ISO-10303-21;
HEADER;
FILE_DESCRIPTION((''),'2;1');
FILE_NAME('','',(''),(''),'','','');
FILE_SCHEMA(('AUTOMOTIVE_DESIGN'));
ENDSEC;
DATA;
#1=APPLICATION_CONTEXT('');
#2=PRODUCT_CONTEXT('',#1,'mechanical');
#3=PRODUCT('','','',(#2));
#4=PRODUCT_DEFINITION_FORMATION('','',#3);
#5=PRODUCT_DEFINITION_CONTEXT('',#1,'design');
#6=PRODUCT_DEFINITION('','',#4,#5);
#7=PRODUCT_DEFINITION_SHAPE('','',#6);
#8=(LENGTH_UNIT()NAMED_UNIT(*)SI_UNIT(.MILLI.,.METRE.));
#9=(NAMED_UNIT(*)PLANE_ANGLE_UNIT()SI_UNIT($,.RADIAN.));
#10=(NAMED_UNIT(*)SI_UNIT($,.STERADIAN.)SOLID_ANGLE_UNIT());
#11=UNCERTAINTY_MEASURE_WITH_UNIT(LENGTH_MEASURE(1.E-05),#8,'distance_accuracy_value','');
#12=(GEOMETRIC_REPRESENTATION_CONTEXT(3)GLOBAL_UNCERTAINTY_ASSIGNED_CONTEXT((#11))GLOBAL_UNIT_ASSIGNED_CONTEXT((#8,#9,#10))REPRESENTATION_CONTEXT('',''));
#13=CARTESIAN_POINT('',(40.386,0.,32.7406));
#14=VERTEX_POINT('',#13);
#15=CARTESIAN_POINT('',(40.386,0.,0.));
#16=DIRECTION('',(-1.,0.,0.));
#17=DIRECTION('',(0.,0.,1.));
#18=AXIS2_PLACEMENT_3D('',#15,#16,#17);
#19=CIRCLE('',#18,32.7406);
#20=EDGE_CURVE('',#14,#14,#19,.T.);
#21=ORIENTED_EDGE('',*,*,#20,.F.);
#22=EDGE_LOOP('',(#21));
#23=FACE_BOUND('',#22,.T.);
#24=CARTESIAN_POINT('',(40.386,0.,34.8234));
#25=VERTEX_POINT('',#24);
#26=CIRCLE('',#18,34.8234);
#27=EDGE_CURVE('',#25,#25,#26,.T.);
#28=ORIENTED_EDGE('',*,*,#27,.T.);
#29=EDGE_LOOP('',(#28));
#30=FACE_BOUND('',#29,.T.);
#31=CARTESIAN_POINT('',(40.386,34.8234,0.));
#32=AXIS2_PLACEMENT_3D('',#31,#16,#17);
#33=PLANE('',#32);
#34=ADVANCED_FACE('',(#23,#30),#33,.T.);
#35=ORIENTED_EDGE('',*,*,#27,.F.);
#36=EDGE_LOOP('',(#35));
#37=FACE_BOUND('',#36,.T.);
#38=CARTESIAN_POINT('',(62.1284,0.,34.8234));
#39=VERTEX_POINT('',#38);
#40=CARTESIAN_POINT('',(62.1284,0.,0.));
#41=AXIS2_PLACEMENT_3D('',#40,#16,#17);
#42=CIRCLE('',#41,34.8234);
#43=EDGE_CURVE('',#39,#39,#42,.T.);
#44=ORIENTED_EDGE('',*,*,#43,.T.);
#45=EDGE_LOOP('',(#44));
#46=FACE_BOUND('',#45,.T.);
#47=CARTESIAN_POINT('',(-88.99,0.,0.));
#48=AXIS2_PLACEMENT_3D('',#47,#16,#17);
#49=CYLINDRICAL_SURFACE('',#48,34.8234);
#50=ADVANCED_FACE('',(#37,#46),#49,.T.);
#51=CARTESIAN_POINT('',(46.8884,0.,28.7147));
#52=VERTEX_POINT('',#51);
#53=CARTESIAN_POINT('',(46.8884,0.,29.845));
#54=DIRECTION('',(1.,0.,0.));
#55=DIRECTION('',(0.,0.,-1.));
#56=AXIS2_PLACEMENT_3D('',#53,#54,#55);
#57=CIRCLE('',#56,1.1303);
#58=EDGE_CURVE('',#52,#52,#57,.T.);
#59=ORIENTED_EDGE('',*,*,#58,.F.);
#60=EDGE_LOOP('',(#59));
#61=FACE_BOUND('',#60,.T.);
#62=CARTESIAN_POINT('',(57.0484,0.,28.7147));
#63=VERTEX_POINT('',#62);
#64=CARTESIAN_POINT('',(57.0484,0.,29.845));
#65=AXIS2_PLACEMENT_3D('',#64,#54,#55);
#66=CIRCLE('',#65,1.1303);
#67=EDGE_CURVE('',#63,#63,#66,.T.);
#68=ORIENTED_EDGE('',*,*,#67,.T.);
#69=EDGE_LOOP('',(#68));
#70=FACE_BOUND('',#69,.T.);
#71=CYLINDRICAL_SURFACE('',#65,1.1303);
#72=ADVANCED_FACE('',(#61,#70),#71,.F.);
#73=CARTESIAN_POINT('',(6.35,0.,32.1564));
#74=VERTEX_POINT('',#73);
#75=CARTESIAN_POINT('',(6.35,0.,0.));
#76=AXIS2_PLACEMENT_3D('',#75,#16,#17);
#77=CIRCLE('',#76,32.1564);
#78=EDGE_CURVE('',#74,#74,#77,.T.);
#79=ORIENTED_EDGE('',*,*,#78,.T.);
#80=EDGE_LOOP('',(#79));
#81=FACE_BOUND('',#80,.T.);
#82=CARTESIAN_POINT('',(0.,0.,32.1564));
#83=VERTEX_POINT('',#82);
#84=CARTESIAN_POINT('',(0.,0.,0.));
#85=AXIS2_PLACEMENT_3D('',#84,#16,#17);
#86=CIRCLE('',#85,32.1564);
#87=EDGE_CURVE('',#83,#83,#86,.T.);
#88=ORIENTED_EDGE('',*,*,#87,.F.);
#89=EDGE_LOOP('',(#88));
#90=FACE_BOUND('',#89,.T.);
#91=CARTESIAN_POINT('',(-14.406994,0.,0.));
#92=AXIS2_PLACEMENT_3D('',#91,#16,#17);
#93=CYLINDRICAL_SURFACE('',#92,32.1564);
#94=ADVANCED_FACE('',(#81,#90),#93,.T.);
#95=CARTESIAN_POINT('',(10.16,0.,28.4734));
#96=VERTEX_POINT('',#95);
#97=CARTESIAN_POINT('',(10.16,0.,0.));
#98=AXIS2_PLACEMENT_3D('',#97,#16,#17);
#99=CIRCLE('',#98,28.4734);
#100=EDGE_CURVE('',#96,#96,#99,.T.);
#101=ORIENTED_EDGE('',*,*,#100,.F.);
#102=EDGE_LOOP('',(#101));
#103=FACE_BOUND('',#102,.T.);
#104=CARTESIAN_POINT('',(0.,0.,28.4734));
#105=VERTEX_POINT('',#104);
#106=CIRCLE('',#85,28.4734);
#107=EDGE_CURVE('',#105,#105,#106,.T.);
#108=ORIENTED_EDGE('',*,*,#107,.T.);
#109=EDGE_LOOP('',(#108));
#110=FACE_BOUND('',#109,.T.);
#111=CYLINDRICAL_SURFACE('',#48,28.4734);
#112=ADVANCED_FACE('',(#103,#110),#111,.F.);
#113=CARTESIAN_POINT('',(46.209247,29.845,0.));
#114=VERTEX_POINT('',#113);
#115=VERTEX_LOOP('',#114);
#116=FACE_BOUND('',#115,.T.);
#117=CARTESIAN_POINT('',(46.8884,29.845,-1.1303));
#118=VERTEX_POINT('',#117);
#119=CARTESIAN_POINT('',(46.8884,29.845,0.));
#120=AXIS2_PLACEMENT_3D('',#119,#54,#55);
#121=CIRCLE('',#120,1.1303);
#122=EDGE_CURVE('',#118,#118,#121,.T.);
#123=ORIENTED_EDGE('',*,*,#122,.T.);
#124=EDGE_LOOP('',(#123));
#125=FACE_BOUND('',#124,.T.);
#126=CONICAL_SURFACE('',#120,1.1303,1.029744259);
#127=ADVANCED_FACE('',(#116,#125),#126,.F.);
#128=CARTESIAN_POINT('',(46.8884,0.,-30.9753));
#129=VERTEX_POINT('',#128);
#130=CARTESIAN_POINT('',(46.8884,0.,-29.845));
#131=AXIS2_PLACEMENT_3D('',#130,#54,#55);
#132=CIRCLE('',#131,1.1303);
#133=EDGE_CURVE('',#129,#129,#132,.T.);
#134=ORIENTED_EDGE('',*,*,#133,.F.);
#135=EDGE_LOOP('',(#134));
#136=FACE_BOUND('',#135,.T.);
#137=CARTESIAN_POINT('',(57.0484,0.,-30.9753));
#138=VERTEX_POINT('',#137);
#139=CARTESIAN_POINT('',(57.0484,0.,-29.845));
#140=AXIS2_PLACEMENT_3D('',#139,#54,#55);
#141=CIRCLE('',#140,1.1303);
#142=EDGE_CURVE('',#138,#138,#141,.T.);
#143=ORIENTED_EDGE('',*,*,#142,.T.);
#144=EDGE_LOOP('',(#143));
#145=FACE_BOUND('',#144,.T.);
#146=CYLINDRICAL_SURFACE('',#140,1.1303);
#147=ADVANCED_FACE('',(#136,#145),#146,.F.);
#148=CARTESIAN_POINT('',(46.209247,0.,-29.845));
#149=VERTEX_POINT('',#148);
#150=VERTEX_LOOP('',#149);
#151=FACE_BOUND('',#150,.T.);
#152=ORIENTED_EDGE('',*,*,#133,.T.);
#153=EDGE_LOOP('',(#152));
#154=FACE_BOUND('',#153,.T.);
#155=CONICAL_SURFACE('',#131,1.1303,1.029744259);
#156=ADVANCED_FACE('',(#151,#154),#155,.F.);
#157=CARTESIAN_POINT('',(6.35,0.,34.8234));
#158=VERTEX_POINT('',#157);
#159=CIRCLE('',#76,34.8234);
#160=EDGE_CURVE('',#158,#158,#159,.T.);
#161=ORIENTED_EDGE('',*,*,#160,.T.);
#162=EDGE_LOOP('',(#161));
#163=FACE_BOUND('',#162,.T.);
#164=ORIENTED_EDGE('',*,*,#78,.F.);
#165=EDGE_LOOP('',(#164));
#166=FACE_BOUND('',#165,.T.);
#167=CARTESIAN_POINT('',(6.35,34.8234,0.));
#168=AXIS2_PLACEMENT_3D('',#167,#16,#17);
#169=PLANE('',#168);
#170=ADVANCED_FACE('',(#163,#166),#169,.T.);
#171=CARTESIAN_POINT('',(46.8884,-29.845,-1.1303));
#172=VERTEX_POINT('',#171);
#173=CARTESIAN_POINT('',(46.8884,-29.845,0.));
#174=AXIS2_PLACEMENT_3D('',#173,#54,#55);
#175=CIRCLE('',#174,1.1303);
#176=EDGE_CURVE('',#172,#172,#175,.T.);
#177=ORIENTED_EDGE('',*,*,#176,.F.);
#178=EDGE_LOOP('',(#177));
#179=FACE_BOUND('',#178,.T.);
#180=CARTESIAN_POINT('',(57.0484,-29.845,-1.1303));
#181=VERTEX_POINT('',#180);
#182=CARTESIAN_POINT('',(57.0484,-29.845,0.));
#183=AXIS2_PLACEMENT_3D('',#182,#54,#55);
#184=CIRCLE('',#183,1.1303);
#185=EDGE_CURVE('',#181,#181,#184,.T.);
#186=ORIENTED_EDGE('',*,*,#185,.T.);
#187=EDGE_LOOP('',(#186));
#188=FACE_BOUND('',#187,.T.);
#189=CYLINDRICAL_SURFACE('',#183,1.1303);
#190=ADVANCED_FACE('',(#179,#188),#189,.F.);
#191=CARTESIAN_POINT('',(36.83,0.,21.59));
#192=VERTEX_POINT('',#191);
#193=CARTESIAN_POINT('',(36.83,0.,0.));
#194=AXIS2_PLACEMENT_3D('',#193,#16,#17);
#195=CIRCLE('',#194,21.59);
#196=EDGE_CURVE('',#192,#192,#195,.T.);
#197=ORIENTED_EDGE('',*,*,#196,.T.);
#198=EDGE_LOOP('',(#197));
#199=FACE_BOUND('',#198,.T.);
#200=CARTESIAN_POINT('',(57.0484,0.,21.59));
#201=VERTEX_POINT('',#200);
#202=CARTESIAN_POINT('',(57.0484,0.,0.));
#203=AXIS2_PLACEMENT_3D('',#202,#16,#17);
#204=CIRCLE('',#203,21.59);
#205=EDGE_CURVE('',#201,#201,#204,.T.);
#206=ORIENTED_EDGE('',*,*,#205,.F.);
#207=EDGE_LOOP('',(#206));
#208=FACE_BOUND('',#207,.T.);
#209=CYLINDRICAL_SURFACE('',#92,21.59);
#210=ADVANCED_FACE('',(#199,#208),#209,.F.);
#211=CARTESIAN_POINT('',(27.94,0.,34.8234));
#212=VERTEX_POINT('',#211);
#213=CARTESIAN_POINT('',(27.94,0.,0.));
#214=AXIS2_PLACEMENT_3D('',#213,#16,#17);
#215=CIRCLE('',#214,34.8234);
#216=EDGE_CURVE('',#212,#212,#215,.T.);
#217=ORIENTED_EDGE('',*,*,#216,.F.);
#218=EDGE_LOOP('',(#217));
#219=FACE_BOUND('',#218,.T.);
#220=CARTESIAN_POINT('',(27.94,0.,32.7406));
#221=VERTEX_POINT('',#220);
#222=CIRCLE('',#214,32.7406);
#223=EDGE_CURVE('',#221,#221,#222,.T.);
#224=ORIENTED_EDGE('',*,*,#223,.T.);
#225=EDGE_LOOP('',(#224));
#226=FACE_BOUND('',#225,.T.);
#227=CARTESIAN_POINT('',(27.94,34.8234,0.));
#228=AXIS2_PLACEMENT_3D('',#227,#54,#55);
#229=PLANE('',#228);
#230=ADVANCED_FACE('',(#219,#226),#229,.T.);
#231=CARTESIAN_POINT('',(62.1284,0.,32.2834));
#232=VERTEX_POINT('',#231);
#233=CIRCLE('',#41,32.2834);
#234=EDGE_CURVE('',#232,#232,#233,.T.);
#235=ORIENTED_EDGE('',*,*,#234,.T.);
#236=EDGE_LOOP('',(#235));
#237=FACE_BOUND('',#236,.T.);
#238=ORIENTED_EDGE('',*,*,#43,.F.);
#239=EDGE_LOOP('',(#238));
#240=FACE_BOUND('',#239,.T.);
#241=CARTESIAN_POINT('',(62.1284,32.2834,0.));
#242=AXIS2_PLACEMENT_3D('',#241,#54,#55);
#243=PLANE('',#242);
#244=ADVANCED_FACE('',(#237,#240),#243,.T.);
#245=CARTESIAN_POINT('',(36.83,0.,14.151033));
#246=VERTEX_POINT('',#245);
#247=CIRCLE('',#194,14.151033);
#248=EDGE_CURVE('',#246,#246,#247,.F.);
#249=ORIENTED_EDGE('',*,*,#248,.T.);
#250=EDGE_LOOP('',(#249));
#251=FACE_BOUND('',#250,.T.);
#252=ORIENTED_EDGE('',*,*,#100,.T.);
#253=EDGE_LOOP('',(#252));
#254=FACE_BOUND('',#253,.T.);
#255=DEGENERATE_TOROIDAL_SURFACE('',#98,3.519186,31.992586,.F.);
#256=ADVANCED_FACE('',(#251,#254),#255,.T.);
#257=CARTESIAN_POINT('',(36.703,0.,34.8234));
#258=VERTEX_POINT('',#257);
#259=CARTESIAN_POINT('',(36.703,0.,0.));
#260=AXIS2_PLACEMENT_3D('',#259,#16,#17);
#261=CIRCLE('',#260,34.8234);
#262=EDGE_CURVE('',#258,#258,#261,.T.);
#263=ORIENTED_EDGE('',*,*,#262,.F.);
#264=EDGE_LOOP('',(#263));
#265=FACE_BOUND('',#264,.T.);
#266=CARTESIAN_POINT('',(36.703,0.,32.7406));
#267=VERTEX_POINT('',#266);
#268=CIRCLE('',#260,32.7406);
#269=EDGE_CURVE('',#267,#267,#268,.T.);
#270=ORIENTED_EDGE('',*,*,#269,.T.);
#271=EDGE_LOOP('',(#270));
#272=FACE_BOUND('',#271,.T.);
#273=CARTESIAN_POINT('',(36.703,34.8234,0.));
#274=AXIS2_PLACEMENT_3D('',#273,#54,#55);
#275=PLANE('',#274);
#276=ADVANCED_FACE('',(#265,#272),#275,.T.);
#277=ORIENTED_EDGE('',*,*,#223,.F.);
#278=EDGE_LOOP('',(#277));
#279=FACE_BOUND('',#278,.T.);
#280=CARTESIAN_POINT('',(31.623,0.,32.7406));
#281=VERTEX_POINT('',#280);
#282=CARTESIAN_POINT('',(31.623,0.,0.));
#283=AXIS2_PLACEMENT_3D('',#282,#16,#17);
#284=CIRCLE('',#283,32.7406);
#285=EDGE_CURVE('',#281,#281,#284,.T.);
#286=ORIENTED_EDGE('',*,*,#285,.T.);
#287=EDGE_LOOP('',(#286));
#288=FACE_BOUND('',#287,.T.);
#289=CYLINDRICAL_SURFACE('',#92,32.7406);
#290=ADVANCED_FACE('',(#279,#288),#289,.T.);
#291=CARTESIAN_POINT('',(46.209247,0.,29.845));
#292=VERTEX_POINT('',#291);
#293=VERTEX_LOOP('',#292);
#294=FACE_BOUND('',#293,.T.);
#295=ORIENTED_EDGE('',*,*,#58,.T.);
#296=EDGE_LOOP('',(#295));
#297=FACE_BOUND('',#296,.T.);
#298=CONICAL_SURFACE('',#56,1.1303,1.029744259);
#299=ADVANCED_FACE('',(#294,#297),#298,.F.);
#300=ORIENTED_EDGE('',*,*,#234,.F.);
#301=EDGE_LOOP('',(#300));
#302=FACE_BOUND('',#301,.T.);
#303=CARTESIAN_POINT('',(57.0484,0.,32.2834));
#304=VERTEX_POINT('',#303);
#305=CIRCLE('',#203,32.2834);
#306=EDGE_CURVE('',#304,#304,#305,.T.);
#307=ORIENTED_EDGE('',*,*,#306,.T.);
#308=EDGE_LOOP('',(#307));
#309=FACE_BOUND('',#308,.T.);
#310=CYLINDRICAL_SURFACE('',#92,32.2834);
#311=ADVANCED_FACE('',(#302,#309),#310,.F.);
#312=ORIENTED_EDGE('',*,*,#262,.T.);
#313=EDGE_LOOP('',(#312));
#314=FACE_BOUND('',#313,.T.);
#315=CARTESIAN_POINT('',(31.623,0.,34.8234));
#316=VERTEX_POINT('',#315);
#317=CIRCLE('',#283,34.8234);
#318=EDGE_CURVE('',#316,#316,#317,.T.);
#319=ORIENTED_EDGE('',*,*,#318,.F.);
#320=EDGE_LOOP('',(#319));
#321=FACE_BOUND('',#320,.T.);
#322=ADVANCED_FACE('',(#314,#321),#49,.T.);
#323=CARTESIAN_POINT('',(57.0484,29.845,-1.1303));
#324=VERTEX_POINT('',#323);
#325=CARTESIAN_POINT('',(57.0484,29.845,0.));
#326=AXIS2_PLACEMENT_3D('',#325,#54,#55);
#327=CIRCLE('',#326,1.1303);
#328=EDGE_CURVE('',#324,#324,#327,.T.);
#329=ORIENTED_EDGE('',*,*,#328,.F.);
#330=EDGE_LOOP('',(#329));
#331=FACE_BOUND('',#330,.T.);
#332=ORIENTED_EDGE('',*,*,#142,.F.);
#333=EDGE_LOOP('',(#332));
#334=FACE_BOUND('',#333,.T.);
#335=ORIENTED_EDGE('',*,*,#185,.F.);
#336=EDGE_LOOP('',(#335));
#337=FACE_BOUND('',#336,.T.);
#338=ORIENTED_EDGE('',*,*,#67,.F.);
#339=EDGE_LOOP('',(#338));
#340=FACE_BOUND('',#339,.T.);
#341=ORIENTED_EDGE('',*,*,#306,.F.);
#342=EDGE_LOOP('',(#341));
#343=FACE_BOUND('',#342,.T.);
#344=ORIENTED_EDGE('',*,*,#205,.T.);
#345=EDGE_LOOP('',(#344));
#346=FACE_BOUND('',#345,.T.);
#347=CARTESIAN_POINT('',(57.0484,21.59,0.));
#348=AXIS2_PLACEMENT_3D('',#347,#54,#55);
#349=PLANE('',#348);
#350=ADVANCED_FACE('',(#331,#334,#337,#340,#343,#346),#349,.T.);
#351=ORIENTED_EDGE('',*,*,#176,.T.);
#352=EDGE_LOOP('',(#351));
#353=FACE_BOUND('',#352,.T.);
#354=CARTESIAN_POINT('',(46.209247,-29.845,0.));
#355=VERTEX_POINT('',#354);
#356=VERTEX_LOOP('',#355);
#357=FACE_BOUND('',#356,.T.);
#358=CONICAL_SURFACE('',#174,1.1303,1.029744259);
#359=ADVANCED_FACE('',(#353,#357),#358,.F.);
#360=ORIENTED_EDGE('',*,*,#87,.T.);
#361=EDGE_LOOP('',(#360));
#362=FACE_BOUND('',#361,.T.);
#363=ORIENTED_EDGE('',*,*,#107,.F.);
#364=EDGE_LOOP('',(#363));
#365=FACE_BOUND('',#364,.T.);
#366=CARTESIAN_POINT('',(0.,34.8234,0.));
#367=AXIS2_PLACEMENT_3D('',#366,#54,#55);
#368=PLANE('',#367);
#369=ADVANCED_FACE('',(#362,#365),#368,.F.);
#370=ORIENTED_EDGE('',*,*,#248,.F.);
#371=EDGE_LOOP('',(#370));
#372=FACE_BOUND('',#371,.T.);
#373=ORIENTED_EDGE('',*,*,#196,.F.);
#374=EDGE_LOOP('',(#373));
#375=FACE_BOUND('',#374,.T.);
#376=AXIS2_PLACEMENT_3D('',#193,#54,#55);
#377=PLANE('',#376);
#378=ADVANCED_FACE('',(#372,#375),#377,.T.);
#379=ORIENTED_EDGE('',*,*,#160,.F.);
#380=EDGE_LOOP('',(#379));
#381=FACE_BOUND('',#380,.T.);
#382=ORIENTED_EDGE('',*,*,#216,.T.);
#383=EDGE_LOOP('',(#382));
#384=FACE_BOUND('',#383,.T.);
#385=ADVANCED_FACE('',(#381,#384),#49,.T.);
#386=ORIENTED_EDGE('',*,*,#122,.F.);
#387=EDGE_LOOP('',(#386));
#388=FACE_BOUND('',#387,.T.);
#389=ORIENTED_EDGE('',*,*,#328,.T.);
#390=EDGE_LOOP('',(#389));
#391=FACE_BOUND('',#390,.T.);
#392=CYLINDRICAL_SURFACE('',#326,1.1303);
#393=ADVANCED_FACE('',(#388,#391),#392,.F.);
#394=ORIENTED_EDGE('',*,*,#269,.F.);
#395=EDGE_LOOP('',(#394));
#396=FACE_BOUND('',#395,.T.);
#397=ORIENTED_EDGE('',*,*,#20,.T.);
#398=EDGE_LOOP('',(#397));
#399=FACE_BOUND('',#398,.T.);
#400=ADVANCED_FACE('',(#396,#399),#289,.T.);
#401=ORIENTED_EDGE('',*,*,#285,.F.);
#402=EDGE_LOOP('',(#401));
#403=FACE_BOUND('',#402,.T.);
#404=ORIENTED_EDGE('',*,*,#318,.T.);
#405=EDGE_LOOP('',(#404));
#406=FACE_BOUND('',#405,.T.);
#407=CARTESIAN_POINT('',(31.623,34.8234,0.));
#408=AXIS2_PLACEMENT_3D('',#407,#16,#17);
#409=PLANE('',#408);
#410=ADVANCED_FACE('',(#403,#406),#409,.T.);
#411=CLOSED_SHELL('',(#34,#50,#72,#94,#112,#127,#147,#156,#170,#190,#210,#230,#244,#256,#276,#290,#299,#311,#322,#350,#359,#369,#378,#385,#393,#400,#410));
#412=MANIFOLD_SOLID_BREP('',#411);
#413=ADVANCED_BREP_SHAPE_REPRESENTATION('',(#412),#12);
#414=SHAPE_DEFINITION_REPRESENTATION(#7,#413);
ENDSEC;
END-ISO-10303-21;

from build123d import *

# Parameters (mm, degrees)
SKETCH1_W         = 101.6
SKETCH1_H         = 34.8234
SKETCH3_W         = 6.35
SKETCH3_H         = 2.667
SKETCH4_W         = 38.1
SKETCH4_H         = 9.017
CIRPATTERN1_COUNT = 4
SKETCH8_W         = 3.683
SKETCH8_H         = 2.0828


with BuildPart() as part:
    # Sketch1 → Revolve1 (revolve)
    with BuildSketch(Plane.XY, mode=Mode.PRIVATE) as revolve1_sk:
        with Locations((50.8, 17.4117)):
            Rectangle(SKETCH1_W, SKETCH1_H)
    revolve(revolve1_sk.sketch.rotate(Axis((-14.406993702, 0, 0), (1, 0, 0)), 90), axis=Axis((-14.406993702, 0, 0), (1, 0, 0)))

    # Sketch2 → Cut-Revolve1 (revolve, cut)
    with BuildSketch(Plane.XY, mode=Mode.PRIVATE) as cut_revolve1_sk:
        with BuildLine():
            Line((0, 28.4734), (10.16, 28.4734))
            ThreePointArc((10.16, 28.4734), (25.296207294, 24.666285192), (36.83, 14.151033402))
            ThreePointArc((36.83, 14.151033402), (41.000418166, 10.205778874), (46.482, 8.5))
            ThreePointArc((46.482, 8.5), (47.320563586, 8.54516677), (48.120613895, 8.800408672))
            add(Edge.make_bspline(
                [(101.6, 24.9936), (69.441940144, 18.742706384), (48.120613895, 8.800408672)],
                knots=[0, 0, 0, 1, 1, 1], degree=2))
            Line((101.6, 24.9936), (101.6, 0))
            Line((101.6, 0), (0, 0))
            Line((0, 0), (0, 28.4734))
        make_face()
    revolve(cut_revolve1_sk.sketch.rotate(Axis((-14.406993702, 0, 0), (1, 0, 0)), 90), axis=Axis((-14.406993702, 0, 0), (1, 0, 0)), mode=Mode.SUBTRACT)

    # Sketch3 → Cut-Revolve2 (revolve, cut)
    with BuildSketch(Plane.XY, mode=Mode.PRIVATE) as cut_revolve2_sk:
        with Locations((3.175, 33.4899)):
            Rectangle(SKETCH3_W, SKETCH3_H)
    revolve(cut_revolve2_sk.sketch.rotate(Axis((-14.406993702, 0, 0), (1, 0, 0)), 90), axis=Axis((-14.406993702, 0, 0), (1, 0, 0)), mode=Mode.SUBTRACT)

    # Sketch4 → Cut-Revolve3 (revolve, cut)
    with BuildSketch(Plane.XY, mode=Mode.PRIVATE) as cut_revolve3_sk:
        with Locations((82.55, 30.3149)):
            Rectangle(SKETCH4_W, SKETCH4_H)
    revolve(cut_revolve3_sk.sketch.rotate(Axis((-14.406993702, 0, 0), (1, 0, 0)), 90), axis=Axis((-14.406993702, 0, 0), (1, 0, 0)), mode=Mode.SUBTRACT)

    # Sketch5 → Cut-Revolve4 (revolve, cut)
    with BuildSketch(Plane.XY, mode=Mode.PRIVATE) as cut_revolve4_sk:
        Polygon((36.83, 0), (36.83, 21.59), (57.0484, 21.59), (57.0484, 32.2834), (62.1284, 32.2834), (62.1284, 34.8234), (101.599999985, 34.8234), (101.599999985, 0), align=None)
    revolve(cut_revolve4_sk.sketch.rotate(Axis((-14.406993702, 0, 0), (1, 0, 0)), 90), axis=Axis((-14.406993702, 0, 0), (1, 0, 0)), mode=Mode.SUBTRACT)

    # Sketch7 → #4-40 Tapped Hole1 (revolve, cut)
    with BuildSketch(Plane(origin=(57.0484, 29.845, 0), x_dir=(0, 0, -1), z_dir=(0, 1, 0))):
        Polygon((0, 0), (0, 10.839152758), (1.1303, 10.16), (1.1303, 0), align=None)
    f_4_40_tapped_hole1 = revolve(axis=Axis((63.3984, 29.845, 0), (-1, 0, 0)), mode=Mode.SUBTRACT)

    # CirPattern1: #4-40 Tapped Hole1 ×4 about axis
    cirpattern1_axis = Axis((0, 0, 0), (1, 0, 0))
    for i in range(1, CIRPATTERN1_COUNT):
        add(f_4_40_tapped_hole1.rotate(cirpattern1_axis, i * 360 / CIRPATTERN1_COUNT), mode=Mode.SUBTRACT)

    # Sketch8 → Cut-Revolve5 (revolve, cut)
    with BuildSketch(Plane.XY, mode=Mode.PRIVATE) as cut_revolve5_sk:
        with Locations((29.7815, 33.782)):
            Rectangle(SKETCH8_W, SKETCH8_H)
        with Locations((38.5445, 33.782)):
            Rectangle(SKETCH8_W, SKETCH8_H)
    revolve(cut_revolve5_sk.sketch.rotate(Axis((-14.406993702, 0, 0), (1, 0, 0)), 90), axis=Axis((-14.406993702, 0, 0), (1, 0, 0)), mode=Mode.SUBTRACT)


solid = part.part
